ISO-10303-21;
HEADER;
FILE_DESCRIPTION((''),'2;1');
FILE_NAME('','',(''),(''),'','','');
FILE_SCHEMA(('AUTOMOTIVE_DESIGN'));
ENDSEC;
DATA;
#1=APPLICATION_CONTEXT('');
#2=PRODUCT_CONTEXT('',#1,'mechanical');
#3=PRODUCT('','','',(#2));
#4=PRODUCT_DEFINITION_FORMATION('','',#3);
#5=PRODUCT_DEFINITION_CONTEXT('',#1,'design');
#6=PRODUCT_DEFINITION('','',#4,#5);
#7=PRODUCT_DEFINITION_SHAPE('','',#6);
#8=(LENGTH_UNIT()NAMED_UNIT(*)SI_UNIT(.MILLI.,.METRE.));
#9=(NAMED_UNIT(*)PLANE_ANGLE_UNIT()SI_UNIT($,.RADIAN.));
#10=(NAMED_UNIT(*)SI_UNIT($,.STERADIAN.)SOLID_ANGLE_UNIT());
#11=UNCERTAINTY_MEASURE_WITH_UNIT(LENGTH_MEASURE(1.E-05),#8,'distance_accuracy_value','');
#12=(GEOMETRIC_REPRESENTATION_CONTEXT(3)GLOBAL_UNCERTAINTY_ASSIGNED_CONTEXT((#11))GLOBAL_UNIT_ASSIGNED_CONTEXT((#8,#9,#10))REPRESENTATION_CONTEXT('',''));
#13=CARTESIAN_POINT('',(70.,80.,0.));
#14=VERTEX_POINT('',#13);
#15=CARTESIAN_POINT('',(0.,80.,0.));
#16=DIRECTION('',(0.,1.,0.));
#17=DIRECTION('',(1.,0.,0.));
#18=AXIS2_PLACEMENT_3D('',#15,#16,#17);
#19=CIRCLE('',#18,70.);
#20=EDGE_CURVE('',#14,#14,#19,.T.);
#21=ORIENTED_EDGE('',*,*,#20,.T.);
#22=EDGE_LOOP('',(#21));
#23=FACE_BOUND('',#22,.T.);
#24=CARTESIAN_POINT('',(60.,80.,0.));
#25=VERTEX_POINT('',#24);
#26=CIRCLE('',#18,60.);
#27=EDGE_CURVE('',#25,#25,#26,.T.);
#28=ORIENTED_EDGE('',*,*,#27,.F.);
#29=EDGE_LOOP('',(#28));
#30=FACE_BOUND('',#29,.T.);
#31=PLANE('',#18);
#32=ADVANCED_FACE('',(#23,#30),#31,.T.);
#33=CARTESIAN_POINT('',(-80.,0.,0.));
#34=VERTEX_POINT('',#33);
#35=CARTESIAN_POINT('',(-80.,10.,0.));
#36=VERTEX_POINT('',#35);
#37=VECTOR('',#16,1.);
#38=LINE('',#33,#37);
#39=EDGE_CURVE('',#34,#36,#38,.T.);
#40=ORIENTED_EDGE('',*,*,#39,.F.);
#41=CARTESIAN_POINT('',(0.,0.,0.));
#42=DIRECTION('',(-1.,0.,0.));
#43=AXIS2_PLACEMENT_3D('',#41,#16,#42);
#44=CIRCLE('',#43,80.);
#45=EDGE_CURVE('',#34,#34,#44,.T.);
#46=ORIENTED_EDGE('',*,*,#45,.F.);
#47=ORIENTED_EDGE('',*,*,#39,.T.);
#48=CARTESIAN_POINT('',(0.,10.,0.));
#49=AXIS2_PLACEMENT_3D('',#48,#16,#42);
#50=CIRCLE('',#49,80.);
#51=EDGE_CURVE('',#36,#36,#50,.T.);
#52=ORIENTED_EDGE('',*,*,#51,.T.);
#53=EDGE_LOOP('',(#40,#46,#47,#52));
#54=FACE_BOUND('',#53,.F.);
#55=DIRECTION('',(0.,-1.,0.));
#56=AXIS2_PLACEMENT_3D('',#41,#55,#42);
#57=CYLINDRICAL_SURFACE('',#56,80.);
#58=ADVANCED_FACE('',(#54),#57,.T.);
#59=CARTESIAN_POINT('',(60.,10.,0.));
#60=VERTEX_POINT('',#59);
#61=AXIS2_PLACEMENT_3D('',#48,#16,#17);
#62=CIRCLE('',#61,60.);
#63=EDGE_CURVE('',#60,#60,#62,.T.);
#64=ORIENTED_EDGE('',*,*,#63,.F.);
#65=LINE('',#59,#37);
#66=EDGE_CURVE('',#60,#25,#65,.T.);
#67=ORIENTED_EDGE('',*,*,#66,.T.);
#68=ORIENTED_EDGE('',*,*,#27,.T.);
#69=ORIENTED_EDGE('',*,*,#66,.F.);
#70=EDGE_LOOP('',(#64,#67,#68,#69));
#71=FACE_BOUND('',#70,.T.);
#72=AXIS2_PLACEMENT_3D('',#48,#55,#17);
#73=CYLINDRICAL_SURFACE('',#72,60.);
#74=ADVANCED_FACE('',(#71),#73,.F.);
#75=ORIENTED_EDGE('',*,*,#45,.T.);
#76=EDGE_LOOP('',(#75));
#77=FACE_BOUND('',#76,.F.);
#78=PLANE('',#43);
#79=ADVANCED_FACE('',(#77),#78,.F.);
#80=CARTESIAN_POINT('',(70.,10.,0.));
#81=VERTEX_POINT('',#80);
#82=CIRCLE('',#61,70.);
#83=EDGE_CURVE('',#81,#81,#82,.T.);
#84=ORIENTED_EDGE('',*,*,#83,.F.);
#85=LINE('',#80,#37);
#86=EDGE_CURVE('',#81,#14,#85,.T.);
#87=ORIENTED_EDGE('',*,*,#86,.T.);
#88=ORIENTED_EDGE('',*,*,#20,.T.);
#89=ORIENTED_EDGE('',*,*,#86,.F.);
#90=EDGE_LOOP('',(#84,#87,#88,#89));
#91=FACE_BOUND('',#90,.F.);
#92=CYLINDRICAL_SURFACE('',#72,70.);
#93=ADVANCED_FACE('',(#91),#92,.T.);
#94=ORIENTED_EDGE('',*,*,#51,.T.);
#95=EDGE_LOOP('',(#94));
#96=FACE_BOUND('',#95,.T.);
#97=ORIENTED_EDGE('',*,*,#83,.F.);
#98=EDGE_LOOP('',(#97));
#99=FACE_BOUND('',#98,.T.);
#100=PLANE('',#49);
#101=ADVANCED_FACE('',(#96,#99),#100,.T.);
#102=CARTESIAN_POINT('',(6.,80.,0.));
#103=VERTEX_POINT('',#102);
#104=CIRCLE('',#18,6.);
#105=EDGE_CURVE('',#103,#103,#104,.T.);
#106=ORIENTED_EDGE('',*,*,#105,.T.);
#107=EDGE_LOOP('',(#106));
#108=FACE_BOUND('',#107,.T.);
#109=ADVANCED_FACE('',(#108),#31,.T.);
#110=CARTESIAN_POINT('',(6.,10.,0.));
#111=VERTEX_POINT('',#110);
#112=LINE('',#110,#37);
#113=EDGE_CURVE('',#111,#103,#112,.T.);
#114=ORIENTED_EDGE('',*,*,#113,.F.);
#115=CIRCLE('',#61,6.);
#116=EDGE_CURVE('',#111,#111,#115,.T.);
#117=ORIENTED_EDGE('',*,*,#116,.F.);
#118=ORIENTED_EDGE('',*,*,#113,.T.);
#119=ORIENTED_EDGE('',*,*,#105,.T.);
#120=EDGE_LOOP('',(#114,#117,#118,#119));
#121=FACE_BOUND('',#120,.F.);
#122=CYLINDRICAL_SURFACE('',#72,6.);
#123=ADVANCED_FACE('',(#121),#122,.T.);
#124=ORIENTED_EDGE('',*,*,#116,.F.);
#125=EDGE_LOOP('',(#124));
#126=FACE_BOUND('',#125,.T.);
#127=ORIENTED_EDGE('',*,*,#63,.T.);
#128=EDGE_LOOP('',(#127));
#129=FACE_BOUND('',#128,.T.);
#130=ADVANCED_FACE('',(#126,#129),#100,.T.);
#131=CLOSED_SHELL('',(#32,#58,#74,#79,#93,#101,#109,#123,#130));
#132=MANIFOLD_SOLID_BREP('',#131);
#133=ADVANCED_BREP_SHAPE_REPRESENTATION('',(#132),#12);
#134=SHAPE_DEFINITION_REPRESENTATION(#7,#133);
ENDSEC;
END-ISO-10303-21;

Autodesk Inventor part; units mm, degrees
ref_plane "YZ Plane" through (0, 0, 0) normal (1, 0, 0) x (0, 1, 0)
ref_plane "XZ Plane" through (0, 0, 0) normal (0, 1, 0) x (-1, 0, 0)
ref_plane "XY Plane" through (0, 0, 0) normal (0, 0, 1) x (1, 0, 0)
sketch "Sketch1" plane through (0, 0, 0) normal (0, 1, 0) x (-1, 0, 0)
  circle A0 centre (0, 0) radius 80
  dimension "d0" = 160
extrude "Extrusion1" add sketch "Sketch1" along normal blind 10
sketch "Sketch2" plane through (0, 10, 0) normal (0, 1, 0) x (1, 0, 0)
  circle A0 centre (0, 0) radius 70
  circle A1 centre (0, 0) radius 60
  circle A2 centre (0, 0) radius 6
  dimension "d3" = 140
  dimension "d4" = 120
  dimension "d5" = 12
extrude "Extrusion2" add sketch "Sketch2" along normal blind 70
properties part number "new base"
